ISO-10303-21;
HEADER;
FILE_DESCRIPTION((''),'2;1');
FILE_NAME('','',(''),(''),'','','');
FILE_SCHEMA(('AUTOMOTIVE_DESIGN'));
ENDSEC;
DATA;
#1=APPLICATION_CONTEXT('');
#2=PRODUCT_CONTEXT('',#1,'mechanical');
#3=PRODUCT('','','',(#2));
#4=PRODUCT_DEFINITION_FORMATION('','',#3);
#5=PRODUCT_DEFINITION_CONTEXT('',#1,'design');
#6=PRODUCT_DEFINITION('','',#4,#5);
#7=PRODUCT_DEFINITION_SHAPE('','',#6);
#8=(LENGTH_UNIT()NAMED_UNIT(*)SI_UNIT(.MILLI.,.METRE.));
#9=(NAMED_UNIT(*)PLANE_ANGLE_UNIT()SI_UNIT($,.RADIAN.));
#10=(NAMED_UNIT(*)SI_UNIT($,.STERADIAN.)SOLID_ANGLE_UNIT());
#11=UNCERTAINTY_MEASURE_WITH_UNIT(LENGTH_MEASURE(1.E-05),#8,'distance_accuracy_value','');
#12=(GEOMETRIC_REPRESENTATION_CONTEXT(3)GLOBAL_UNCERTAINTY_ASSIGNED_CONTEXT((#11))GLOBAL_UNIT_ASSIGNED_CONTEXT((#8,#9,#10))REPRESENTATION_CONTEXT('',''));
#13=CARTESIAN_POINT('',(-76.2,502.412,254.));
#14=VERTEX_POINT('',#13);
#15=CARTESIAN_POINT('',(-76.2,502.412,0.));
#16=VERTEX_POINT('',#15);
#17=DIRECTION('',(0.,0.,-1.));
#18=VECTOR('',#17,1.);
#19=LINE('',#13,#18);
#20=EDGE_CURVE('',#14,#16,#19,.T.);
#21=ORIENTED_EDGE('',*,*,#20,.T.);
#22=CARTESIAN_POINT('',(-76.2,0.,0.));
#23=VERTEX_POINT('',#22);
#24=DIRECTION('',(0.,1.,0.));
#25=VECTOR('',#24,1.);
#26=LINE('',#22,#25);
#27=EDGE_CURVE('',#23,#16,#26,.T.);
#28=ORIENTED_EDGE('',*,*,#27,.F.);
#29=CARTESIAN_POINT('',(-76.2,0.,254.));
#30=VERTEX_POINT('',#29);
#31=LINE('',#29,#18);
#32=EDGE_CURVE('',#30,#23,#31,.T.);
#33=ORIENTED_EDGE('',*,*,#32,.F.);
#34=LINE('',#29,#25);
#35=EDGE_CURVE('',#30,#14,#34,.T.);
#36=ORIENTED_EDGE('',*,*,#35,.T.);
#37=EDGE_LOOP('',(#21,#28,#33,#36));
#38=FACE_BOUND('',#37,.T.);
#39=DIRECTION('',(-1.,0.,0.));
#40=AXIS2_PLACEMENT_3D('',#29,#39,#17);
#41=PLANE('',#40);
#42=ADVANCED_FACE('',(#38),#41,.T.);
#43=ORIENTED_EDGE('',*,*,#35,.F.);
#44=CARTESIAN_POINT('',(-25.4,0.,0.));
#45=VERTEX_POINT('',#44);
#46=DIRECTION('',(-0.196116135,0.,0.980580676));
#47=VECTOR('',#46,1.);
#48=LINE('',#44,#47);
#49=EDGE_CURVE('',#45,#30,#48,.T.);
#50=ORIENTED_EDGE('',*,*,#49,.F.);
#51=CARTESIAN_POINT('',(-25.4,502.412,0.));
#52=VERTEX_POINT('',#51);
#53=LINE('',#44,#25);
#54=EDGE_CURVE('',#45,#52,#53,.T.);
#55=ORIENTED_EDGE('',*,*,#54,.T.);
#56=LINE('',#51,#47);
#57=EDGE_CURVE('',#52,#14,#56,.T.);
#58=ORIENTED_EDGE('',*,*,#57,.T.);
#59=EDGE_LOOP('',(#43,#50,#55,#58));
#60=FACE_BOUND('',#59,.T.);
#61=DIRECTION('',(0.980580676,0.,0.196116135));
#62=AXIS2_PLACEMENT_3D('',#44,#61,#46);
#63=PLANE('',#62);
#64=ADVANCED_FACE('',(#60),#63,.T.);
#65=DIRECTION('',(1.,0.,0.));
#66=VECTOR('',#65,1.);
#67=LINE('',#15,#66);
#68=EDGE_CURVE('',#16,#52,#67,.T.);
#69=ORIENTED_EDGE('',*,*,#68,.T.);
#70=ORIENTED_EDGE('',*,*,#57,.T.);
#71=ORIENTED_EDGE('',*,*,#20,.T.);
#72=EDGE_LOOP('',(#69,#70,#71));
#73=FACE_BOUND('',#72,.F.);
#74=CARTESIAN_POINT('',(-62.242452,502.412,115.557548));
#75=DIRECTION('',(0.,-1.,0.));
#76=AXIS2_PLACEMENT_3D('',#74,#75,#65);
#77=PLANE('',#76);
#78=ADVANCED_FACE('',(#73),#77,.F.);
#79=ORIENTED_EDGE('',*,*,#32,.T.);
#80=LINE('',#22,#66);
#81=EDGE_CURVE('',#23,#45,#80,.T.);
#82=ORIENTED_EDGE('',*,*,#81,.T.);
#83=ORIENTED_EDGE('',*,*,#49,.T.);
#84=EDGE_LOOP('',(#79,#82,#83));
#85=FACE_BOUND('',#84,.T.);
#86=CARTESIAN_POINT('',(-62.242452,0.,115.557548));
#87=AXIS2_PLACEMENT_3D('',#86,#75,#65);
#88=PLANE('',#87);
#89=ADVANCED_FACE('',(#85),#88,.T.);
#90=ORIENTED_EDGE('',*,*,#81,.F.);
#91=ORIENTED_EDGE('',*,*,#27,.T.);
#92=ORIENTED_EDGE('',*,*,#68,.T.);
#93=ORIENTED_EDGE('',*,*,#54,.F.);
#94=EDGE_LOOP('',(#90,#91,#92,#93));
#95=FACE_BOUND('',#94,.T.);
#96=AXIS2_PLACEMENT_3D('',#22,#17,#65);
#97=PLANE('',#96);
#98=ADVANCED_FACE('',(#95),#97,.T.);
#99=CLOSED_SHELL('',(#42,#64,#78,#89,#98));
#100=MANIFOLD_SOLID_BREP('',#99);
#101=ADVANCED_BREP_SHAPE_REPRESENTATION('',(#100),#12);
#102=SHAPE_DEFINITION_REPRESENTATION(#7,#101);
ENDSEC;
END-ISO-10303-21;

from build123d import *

# Parameters (mm, degrees)
F1_DEPTH = 502.412


with BuildPart() as f1:
    # F0 (on Front) → F1 (new body)
    with BuildSketch(Plane.XZ):
        Polygon((-76.2, 254), (-76.2, 0), (-25.4, 0), align=None)
    extrude(amount=-F1_DEPTH)


solid = f1.part
